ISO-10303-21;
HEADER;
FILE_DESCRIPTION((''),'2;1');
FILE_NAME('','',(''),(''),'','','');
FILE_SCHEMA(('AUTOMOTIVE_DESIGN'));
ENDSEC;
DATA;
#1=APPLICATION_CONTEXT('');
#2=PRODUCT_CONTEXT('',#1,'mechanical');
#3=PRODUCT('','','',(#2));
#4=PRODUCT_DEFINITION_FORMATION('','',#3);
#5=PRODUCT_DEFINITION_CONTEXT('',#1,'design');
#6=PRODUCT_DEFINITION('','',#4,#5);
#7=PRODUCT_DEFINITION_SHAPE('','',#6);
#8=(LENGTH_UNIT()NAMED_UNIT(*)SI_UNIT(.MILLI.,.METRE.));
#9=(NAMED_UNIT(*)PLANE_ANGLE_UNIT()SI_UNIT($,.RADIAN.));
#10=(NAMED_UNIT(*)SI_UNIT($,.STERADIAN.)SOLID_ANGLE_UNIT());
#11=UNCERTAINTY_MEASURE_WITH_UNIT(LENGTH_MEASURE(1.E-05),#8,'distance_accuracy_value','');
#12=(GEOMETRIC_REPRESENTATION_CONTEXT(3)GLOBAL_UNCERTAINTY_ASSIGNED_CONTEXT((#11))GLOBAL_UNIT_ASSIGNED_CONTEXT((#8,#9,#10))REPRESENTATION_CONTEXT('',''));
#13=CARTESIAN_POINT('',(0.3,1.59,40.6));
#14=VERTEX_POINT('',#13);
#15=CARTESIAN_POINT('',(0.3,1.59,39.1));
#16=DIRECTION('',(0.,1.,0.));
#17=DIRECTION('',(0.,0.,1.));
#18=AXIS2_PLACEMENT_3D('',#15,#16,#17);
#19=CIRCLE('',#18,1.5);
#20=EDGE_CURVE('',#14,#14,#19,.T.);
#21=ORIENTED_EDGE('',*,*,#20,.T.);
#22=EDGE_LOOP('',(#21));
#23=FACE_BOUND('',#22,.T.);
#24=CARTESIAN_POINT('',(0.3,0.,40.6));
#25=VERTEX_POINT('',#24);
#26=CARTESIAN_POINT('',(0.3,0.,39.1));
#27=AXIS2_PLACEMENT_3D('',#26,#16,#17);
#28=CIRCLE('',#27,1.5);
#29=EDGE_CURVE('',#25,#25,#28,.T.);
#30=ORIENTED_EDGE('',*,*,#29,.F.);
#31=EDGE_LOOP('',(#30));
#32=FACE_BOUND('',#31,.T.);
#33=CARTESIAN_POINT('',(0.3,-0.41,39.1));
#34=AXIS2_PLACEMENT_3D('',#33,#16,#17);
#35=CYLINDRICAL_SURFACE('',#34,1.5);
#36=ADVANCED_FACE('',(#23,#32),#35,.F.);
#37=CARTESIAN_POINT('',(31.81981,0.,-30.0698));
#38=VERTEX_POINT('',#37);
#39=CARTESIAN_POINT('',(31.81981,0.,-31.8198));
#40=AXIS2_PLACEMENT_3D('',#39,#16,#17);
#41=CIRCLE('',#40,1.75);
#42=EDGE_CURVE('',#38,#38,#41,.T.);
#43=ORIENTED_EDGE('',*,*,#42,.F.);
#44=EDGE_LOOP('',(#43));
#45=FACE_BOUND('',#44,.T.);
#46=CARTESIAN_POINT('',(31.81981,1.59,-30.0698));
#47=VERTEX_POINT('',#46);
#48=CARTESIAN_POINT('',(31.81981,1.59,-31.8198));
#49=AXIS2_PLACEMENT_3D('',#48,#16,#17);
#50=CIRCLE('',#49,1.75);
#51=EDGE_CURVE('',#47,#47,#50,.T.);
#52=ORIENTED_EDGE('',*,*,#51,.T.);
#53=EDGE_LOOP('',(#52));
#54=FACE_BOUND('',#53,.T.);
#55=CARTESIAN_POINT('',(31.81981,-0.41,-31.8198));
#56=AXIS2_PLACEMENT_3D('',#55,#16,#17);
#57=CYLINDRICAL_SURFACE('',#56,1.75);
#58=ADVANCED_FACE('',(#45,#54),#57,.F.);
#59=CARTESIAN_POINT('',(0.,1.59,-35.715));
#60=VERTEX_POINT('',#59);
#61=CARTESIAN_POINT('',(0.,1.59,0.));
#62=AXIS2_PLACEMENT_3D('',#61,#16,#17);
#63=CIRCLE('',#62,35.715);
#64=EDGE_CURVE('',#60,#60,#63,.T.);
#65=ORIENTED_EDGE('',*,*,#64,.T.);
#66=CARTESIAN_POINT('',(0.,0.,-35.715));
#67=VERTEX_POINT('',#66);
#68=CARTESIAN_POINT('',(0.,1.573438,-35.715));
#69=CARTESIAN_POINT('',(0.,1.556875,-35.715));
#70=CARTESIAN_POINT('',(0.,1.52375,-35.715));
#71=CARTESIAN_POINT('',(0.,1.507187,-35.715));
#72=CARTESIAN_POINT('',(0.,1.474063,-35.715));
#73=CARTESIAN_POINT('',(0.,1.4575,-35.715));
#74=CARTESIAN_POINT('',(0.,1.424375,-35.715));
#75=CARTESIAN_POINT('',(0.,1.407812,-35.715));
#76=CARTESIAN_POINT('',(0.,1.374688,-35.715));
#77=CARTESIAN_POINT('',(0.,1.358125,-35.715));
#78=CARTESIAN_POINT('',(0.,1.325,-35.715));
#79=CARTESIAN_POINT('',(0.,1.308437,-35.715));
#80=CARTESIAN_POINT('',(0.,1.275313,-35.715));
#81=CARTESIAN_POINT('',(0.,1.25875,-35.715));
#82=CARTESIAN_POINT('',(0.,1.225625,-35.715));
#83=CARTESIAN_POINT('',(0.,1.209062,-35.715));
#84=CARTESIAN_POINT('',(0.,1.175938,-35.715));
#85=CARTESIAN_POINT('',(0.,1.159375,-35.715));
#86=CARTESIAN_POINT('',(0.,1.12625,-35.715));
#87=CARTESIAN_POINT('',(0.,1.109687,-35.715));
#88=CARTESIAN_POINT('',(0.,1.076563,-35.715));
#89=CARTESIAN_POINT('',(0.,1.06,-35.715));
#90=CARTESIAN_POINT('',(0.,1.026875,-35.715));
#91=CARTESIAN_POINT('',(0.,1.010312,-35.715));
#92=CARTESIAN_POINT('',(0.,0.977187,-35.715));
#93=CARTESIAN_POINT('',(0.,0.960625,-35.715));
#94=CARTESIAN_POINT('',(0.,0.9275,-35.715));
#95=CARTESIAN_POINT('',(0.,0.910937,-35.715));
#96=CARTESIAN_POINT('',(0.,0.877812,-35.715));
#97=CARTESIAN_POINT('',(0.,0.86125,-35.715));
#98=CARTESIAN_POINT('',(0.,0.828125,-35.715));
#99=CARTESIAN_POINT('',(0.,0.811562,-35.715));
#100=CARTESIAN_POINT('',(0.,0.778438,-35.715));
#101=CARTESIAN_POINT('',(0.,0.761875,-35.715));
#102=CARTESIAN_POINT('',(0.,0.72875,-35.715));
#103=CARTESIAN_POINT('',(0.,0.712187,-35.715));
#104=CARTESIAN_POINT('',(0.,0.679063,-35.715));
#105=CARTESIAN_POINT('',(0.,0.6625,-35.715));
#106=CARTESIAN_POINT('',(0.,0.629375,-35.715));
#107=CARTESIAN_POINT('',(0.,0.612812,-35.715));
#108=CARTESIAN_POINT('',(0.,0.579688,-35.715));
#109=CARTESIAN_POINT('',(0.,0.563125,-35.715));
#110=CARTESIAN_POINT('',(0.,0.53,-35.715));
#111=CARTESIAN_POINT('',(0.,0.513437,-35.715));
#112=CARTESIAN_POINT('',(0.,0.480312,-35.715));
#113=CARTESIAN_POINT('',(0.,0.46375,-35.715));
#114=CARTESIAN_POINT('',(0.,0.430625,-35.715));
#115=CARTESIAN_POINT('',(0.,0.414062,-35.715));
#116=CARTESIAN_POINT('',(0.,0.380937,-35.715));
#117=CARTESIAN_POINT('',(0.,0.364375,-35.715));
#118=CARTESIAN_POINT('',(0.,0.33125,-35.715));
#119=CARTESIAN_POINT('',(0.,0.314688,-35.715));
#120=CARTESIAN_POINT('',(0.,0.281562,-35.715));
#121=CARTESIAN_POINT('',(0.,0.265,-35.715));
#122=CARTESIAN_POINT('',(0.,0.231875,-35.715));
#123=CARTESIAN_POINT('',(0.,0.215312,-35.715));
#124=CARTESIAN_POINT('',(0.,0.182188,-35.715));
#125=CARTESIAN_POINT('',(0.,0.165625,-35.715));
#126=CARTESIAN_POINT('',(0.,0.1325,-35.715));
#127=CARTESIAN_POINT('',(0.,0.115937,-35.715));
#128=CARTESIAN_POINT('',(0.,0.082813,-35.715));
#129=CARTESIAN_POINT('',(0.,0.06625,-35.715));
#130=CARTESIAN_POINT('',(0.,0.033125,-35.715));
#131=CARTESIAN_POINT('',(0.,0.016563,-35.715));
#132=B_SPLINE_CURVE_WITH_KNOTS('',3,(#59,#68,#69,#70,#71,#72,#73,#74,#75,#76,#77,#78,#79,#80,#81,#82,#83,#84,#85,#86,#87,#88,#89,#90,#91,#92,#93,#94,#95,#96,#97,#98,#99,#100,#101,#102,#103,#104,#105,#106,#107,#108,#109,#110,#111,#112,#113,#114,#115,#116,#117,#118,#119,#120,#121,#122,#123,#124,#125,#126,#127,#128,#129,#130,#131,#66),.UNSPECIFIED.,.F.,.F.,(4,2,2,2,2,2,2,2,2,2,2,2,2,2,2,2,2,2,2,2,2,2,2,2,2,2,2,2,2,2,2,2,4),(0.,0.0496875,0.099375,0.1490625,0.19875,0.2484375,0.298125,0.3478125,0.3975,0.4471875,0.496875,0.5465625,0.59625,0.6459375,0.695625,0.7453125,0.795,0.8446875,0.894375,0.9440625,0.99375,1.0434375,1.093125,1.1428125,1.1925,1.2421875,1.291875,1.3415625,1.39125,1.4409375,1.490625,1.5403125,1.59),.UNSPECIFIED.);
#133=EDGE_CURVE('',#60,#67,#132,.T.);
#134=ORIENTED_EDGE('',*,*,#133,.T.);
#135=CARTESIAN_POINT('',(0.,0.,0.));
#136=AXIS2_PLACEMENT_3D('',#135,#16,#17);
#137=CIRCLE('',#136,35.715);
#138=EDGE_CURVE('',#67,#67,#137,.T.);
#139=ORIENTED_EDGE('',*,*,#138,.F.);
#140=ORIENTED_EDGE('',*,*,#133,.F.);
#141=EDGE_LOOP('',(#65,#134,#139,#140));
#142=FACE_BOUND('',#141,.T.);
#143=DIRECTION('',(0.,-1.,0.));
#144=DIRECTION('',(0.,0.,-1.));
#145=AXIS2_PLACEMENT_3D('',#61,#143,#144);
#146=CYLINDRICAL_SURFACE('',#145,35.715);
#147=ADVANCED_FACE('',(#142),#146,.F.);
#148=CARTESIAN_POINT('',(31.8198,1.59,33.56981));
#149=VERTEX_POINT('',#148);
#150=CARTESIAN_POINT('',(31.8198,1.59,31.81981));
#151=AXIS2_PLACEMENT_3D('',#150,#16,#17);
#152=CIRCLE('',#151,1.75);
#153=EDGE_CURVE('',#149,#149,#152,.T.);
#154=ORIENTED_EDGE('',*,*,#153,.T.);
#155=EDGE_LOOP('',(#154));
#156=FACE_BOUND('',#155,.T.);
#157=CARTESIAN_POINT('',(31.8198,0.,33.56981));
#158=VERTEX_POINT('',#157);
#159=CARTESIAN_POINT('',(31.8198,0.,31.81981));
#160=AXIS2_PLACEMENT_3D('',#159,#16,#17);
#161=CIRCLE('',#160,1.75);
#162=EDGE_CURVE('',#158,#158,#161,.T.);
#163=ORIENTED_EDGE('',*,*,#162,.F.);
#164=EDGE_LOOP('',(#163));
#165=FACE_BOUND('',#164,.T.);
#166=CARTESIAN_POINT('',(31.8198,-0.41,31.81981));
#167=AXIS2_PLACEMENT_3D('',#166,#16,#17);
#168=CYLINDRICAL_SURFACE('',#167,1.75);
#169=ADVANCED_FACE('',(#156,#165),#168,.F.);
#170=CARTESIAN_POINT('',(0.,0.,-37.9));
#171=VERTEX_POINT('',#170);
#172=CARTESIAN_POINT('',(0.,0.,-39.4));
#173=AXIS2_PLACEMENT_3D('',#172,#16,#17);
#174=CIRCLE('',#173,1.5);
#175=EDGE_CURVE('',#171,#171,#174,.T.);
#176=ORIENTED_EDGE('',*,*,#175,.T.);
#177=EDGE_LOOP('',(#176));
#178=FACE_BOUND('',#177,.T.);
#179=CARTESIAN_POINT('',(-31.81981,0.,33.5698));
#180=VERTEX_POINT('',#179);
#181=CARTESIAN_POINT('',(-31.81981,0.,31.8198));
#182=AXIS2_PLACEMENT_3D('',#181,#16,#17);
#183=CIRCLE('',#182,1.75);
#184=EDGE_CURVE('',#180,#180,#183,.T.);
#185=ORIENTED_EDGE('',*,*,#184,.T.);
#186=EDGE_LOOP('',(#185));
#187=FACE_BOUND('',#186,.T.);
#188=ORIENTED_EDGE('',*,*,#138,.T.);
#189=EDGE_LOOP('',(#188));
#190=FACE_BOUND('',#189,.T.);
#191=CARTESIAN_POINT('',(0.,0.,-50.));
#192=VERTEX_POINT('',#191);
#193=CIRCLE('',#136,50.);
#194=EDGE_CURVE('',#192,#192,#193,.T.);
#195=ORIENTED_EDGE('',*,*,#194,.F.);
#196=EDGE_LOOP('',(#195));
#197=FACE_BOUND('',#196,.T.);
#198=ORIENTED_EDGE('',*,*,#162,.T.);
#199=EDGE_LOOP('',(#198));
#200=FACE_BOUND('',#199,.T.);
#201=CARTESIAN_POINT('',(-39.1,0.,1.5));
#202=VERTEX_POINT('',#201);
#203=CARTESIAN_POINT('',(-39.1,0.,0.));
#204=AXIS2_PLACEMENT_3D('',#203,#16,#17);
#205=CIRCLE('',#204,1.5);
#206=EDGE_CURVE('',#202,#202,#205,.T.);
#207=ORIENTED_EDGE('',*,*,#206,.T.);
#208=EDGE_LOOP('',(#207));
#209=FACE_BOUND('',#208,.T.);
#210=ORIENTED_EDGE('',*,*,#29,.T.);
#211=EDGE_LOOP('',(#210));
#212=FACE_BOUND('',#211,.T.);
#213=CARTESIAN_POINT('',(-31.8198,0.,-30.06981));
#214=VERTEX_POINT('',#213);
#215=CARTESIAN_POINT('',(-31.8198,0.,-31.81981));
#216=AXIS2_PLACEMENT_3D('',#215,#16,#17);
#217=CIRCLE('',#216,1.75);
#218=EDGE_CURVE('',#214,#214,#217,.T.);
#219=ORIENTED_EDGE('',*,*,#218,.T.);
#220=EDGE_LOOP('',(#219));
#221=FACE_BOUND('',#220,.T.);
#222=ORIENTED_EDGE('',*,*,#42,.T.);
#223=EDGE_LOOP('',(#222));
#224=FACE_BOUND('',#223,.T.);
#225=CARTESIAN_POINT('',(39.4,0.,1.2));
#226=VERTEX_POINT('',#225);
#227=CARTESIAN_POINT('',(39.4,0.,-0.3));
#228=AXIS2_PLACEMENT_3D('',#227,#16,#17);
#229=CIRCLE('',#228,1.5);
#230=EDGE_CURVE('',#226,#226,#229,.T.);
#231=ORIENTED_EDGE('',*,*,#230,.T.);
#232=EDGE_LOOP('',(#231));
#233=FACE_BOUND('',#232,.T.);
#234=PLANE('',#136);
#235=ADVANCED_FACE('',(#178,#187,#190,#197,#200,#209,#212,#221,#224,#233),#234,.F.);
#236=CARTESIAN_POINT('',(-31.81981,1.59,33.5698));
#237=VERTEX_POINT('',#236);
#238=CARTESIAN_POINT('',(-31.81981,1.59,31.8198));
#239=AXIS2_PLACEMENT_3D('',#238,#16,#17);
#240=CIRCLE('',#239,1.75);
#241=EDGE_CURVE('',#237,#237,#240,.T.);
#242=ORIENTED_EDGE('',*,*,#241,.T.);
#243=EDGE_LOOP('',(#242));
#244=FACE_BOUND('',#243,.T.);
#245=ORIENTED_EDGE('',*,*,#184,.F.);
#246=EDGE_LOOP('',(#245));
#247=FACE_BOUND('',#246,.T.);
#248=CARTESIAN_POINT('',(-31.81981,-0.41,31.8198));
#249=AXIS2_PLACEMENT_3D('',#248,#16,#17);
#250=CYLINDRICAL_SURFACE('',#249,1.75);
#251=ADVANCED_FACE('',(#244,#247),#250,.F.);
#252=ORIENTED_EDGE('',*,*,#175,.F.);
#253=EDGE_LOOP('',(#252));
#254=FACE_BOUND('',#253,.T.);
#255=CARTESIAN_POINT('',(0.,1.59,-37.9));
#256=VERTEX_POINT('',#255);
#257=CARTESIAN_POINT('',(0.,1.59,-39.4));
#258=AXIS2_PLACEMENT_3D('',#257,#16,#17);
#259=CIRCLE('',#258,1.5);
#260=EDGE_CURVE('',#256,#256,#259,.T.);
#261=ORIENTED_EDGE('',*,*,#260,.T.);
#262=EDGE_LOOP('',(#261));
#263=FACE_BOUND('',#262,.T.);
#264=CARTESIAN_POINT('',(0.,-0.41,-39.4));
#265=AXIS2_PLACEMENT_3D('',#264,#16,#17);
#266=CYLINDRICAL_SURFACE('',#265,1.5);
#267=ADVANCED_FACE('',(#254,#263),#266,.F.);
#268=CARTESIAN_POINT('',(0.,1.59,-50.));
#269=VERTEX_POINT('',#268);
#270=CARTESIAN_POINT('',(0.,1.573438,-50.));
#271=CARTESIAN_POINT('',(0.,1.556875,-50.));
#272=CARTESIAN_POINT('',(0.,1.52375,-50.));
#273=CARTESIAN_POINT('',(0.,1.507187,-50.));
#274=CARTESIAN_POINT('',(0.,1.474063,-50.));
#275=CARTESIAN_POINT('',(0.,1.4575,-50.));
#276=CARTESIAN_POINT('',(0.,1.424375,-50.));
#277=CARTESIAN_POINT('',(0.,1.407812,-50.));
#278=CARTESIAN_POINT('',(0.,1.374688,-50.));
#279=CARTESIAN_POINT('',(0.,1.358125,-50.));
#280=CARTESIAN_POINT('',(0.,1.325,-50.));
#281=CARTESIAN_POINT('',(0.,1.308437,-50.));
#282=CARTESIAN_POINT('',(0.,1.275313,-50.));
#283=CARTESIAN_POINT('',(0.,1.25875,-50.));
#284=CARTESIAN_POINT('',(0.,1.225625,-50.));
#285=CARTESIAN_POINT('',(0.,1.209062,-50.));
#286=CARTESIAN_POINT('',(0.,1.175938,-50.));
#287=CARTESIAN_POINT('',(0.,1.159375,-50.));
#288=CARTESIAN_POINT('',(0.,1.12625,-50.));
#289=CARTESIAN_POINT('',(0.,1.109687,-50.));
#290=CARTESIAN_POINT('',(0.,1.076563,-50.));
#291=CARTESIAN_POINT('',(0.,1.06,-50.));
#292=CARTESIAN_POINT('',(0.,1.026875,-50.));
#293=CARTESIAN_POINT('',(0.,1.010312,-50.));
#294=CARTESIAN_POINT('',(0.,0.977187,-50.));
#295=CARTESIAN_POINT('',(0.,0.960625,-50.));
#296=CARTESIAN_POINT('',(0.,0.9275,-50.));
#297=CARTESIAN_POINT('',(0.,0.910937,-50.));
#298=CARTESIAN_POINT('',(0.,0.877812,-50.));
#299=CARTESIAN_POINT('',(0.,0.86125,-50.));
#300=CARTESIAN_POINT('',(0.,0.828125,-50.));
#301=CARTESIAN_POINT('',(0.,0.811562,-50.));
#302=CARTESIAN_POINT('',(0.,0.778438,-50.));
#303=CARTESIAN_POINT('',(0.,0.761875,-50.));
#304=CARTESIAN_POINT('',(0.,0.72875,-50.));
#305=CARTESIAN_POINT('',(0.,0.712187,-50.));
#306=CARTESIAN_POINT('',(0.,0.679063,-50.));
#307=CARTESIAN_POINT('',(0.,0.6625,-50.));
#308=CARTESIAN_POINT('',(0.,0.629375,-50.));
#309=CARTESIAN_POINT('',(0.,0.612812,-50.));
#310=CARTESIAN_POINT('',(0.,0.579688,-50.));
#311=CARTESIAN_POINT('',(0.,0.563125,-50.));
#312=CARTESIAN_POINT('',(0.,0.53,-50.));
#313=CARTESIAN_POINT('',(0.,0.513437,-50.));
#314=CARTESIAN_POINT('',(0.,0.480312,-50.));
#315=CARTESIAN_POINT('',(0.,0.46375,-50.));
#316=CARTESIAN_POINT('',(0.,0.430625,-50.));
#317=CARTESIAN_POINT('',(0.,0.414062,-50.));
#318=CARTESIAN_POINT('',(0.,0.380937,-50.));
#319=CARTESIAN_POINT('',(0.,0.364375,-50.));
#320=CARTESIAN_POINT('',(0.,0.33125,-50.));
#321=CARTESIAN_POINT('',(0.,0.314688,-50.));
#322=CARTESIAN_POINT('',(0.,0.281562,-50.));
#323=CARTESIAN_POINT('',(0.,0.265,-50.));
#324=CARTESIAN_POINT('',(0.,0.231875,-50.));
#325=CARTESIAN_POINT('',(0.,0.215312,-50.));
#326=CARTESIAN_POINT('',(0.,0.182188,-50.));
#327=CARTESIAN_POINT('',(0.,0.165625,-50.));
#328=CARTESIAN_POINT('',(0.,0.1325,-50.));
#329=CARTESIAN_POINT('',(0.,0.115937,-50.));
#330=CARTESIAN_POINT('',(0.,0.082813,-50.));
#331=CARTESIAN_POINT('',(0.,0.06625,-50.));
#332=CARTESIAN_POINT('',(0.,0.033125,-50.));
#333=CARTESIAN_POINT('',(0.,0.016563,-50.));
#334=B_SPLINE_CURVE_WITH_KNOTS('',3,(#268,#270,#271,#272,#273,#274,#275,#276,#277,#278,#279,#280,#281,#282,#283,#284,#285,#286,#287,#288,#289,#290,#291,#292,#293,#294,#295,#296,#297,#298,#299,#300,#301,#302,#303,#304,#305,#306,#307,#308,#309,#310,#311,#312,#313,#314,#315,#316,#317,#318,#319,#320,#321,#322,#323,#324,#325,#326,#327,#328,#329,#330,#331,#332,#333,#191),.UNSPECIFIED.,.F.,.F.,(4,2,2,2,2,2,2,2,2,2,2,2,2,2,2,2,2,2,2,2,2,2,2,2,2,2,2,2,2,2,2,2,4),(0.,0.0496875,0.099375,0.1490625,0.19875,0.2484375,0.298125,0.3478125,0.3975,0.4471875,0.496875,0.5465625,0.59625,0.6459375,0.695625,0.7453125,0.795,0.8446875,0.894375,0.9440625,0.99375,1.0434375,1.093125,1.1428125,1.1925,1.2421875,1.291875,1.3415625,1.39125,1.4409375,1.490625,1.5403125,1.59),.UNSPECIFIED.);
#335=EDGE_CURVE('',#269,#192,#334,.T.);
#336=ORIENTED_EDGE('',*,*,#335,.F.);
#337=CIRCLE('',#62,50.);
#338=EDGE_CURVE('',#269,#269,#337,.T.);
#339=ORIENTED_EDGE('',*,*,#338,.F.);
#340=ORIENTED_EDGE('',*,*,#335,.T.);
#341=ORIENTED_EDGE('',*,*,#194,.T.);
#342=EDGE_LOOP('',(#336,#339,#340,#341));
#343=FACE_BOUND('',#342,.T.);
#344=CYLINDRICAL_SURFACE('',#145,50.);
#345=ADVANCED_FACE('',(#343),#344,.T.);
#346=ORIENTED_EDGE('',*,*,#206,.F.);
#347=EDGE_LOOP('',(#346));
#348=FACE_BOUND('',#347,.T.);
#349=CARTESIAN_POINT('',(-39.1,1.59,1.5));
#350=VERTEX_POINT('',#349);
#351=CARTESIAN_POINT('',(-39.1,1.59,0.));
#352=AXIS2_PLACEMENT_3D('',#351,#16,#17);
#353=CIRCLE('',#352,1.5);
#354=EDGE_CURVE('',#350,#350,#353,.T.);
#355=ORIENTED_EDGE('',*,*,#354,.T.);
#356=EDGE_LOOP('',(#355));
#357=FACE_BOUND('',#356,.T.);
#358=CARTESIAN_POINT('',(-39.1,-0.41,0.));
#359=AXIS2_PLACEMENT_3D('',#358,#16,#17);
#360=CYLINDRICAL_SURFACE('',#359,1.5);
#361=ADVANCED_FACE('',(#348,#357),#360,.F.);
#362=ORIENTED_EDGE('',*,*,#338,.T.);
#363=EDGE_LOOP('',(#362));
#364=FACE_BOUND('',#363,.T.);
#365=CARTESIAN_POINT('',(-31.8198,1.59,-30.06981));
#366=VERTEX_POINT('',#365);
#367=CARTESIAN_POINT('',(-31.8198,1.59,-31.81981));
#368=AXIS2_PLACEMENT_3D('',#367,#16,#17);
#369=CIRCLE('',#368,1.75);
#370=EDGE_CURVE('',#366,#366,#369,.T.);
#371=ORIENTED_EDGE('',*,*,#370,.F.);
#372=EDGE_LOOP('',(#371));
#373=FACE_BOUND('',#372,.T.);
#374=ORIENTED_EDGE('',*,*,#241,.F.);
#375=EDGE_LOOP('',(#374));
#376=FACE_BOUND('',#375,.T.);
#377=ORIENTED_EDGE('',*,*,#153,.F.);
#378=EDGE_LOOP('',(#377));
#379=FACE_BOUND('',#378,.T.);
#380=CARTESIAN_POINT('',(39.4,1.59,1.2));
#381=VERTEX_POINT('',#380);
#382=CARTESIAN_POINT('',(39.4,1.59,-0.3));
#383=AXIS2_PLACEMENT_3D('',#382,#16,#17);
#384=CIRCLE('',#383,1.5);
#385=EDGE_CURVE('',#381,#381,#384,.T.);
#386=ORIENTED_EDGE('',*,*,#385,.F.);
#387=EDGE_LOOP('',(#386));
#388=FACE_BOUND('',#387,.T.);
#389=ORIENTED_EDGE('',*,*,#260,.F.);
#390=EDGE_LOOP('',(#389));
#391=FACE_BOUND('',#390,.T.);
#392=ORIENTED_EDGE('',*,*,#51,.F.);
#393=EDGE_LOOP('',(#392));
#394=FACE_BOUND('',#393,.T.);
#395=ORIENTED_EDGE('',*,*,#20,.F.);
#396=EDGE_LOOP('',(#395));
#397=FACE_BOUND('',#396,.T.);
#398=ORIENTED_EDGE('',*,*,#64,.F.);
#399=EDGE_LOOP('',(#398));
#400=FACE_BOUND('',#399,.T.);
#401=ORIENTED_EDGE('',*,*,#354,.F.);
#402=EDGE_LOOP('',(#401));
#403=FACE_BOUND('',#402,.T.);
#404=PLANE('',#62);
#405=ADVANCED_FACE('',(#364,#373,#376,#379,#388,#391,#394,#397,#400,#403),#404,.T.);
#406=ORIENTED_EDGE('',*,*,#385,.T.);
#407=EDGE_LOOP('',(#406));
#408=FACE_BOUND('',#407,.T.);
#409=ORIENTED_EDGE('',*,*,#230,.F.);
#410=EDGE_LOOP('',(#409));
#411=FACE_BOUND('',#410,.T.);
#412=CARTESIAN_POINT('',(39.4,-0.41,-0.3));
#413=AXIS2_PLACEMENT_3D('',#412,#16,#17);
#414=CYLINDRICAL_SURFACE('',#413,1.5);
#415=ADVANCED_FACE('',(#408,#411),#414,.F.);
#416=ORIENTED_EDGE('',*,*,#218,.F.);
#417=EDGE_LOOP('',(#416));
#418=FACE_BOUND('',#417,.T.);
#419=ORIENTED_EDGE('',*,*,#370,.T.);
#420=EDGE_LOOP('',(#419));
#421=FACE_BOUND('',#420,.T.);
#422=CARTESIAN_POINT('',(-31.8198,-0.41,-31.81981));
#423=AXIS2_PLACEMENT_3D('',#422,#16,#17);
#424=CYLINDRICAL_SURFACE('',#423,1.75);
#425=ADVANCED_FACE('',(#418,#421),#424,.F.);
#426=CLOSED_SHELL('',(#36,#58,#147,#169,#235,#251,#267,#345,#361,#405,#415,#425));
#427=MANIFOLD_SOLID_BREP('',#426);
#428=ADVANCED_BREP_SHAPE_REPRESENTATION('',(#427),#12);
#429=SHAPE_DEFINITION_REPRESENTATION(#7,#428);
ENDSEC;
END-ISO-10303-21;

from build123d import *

# Parameters (mm, degrees)
SKETCH1_R           = 50
SKETCH1_R_2         = 35.715
BOSS_EXTRUDE1_DEPTH = 1.59
SKETCH2_R           = 1.5
CUT_EXTRUDE1_DEPTH  = 2
SKETCH3_R           = 1.75
CUT_EXTRUDE2_DEPTH  = 2


with BuildPart() as part:
    # Sketch1 → Boss-Extrude1 (new body)
    with BuildSketch(Plane(origin=(0, 0, 0), x_dir=(1, 0, 0), z_dir=(0, 1, 0))):
        with Locations(Location((0, 0, 0), (0, 0, 90))):
            Circle(SKETCH1_R)
        with Locations(Location((0, 0, 0), (0, 0, 90))):
            Circle(SKETCH1_R_2, mode=Mode.SUBTRACT)
    extrude(amount=BOSS_EXTRUDE1_DEPTH)

    # Sketch2 → Cut-Extrude1 (cut)
    with BuildSketch(Plane(origin=(0, 1.59, 0), x_dir=(1, 0, 0), z_dir=(0, 1, 0))):
        with Locations(Location((0, 39.4, 0), (0, 0, 270))):
            Circle(SKETCH2_R)
        with Locations(Location((39.4, 0.3, 0), (0, 0, 270))):
            Circle(SKETCH2_R)
        with Locations(Location((0.3, -39.1, 0), (0, 0, 270))):
            Circle(SKETCH2_R)
        with Locations(Location((-39.1, 0, 0), (0, 0, 270))):
            Circle(SKETCH2_R)
    extrude(amount=-CUT_EXTRUDE1_DEPTH, mode=Mode.SUBTRACT)

    # Sketch3 → Cut-Extrude2 (cut)
    with BuildSketch(Plane(origin=(0, 1.59, 0), x_dir=(1, 0, 0), z_dir=(0, 1, 0))):
        with Locations(Location((-31.8198, 31.819810307, 0), (0, 0, 270))):
            Circle(SKETCH3_R)
        with Locations(Location((31.819810307, 31.8198, 0), (0, 0, 270))):
            Circle(SKETCH3_R)
        with Locations(Location((31.8198, -31.819810307, 0), (0, 0, 270))):
            Circle(SKETCH3_R)
        with Locations(Location((-31.819810307, -31.8198, 0), (0, 0, 270))):
            Circle(SKETCH3_R)
    extrude(amount=-CUT_EXTRUDE2_DEPTH, mode=Mode.SUBTRACT)


solid = part.part
